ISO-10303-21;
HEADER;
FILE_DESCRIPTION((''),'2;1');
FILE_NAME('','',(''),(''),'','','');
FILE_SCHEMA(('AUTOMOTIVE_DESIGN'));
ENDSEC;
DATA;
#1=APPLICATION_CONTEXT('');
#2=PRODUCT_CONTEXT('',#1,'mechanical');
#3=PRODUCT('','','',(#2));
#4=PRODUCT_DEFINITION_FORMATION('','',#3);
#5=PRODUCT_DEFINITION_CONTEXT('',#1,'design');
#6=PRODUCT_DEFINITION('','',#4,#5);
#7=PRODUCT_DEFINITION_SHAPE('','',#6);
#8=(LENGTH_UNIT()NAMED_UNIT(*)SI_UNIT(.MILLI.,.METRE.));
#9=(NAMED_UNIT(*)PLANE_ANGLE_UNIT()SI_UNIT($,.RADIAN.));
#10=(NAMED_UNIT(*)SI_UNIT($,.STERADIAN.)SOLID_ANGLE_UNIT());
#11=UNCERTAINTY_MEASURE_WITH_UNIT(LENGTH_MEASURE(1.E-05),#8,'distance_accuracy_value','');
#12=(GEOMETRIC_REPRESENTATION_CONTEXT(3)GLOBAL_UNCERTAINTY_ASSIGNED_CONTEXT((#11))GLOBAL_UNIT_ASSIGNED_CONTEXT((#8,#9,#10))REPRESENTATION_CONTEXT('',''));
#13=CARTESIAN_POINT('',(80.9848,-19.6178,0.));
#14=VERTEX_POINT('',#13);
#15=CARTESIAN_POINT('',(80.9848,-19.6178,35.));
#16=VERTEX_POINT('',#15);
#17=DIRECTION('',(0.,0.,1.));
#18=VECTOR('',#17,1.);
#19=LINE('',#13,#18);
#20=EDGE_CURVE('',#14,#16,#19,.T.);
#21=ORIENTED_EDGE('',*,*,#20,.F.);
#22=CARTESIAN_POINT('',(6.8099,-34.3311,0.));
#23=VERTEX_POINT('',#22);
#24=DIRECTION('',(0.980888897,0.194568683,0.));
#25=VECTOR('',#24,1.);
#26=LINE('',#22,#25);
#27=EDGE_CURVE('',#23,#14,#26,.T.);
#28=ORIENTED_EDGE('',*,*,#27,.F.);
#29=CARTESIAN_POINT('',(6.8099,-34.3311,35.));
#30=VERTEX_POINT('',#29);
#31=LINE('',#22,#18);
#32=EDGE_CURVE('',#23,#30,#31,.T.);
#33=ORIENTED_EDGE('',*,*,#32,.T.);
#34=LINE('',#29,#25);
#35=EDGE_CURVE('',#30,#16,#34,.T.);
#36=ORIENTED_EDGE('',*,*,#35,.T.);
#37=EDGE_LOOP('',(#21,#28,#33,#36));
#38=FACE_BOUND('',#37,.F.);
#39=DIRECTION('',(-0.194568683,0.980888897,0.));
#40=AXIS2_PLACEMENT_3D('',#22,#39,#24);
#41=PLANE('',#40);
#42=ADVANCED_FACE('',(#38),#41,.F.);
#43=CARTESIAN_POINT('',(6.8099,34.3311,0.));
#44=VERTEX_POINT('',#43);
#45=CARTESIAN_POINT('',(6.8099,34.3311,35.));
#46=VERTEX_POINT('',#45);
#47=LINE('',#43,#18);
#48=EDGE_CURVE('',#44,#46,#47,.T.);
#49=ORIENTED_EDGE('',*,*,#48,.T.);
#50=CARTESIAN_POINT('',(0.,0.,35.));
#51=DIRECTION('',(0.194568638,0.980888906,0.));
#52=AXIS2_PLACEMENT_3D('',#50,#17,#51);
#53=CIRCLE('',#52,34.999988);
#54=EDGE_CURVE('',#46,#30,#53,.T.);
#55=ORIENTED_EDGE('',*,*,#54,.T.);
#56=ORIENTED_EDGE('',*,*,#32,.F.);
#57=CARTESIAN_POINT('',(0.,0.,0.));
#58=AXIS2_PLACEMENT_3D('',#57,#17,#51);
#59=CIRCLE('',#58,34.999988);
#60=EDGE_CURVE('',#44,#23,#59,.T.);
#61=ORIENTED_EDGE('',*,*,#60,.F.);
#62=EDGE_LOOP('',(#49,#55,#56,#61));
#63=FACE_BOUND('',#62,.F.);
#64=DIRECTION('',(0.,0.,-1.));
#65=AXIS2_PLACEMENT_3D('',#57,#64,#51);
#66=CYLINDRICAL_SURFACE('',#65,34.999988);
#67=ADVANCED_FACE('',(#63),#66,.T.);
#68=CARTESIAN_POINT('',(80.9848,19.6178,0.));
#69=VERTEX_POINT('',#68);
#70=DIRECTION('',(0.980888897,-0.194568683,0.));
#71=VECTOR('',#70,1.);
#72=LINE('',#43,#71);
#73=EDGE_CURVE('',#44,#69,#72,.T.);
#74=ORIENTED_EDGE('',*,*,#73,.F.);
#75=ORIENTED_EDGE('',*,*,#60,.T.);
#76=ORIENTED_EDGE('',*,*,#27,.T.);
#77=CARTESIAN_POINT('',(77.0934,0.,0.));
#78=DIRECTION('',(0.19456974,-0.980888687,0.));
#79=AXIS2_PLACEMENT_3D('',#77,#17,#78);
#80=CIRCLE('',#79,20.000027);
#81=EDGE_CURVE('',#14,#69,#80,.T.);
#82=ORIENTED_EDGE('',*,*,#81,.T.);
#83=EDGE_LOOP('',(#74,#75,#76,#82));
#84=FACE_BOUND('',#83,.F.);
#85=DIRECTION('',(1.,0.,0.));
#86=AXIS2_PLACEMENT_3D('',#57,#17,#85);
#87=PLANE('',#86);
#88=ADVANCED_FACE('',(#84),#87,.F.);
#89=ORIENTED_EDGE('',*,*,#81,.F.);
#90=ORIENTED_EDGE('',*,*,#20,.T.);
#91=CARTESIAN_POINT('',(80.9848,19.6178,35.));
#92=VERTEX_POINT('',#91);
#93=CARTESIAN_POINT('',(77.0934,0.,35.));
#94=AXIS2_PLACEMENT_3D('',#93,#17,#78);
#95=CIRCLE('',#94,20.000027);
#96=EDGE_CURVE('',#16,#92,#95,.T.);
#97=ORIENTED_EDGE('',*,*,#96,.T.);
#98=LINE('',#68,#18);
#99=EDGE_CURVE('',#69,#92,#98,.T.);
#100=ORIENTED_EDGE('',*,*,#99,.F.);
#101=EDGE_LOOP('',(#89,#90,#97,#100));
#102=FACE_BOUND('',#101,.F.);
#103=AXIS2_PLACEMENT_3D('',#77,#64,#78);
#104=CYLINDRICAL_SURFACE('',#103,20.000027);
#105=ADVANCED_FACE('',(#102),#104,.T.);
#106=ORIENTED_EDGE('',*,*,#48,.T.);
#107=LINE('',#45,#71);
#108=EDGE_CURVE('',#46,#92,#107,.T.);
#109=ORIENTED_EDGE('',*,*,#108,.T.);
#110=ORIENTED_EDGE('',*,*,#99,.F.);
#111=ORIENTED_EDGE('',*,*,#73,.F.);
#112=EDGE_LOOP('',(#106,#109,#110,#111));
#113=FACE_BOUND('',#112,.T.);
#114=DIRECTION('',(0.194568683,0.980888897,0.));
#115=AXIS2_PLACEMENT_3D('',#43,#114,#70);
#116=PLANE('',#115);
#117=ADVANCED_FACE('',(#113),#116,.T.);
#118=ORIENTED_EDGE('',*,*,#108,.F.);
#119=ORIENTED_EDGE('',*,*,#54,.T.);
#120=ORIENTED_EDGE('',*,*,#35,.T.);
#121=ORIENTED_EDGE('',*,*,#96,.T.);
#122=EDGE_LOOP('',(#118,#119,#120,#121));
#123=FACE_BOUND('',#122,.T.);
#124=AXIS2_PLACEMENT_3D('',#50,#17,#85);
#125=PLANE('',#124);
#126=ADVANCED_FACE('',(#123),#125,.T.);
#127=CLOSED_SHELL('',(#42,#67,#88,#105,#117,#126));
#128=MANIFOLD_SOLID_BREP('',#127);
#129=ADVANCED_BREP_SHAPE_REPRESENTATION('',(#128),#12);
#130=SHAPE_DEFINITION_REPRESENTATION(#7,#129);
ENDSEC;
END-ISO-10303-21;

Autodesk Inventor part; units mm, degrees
ref_plane "YZ Plane" through (0, 0, 0) normal (1, 0, 0) x (0, 1, 0)
ref_plane "XZ Plane" through (0, 0, 0) normal (0, 1, 0) x (-1, 0, 0)
ref_plane "XY Plane" through (0, 0, 0) normal (0, 0, 1) x (1, 0, 0)
sketch "Sketch1" plane through (0, 0, 0) normal (0, 0, 1) x (1, 0, 0)
  arc A0 (6.8099, 34.3311) -> (6.8099, -34.3311) centre (0, 0) ccw
  circle A1 centre (115.45, 0) radius 0.0883
  arc A2 (80.9848, -19.6178) -> (80.9848, 19.6178) centre (77.0934, 0) ccw
  line L0 (6.8099, 34.3311) -> (80.9848, 19.6178)
  line L1 (115.3617, 0) -> (115.5383, 0)
  line L2 (6.8099, -34.3311) -> (80.9848, -19.6178)
  point P0 (-20.5004, 39.7484)
  point P1 (110.1386, 13.8348)
  point P2 (-20.5004, -39.7484)
  point P3 (110.1386, -13.8348)
  point P4 (97.0934, 0)
  point P5 (-35, 0)
  dimension "d0" = 70
  dimension "d2" = 40
  dimension "d3" = 0
  dimension "d4" = 132.0934
extrude "Extrusion1" add sketch "Sketch1" along normal blind 35 contours L0 A2 L2 A0
properties part number "Joystick base" material "ABS Plastic"
